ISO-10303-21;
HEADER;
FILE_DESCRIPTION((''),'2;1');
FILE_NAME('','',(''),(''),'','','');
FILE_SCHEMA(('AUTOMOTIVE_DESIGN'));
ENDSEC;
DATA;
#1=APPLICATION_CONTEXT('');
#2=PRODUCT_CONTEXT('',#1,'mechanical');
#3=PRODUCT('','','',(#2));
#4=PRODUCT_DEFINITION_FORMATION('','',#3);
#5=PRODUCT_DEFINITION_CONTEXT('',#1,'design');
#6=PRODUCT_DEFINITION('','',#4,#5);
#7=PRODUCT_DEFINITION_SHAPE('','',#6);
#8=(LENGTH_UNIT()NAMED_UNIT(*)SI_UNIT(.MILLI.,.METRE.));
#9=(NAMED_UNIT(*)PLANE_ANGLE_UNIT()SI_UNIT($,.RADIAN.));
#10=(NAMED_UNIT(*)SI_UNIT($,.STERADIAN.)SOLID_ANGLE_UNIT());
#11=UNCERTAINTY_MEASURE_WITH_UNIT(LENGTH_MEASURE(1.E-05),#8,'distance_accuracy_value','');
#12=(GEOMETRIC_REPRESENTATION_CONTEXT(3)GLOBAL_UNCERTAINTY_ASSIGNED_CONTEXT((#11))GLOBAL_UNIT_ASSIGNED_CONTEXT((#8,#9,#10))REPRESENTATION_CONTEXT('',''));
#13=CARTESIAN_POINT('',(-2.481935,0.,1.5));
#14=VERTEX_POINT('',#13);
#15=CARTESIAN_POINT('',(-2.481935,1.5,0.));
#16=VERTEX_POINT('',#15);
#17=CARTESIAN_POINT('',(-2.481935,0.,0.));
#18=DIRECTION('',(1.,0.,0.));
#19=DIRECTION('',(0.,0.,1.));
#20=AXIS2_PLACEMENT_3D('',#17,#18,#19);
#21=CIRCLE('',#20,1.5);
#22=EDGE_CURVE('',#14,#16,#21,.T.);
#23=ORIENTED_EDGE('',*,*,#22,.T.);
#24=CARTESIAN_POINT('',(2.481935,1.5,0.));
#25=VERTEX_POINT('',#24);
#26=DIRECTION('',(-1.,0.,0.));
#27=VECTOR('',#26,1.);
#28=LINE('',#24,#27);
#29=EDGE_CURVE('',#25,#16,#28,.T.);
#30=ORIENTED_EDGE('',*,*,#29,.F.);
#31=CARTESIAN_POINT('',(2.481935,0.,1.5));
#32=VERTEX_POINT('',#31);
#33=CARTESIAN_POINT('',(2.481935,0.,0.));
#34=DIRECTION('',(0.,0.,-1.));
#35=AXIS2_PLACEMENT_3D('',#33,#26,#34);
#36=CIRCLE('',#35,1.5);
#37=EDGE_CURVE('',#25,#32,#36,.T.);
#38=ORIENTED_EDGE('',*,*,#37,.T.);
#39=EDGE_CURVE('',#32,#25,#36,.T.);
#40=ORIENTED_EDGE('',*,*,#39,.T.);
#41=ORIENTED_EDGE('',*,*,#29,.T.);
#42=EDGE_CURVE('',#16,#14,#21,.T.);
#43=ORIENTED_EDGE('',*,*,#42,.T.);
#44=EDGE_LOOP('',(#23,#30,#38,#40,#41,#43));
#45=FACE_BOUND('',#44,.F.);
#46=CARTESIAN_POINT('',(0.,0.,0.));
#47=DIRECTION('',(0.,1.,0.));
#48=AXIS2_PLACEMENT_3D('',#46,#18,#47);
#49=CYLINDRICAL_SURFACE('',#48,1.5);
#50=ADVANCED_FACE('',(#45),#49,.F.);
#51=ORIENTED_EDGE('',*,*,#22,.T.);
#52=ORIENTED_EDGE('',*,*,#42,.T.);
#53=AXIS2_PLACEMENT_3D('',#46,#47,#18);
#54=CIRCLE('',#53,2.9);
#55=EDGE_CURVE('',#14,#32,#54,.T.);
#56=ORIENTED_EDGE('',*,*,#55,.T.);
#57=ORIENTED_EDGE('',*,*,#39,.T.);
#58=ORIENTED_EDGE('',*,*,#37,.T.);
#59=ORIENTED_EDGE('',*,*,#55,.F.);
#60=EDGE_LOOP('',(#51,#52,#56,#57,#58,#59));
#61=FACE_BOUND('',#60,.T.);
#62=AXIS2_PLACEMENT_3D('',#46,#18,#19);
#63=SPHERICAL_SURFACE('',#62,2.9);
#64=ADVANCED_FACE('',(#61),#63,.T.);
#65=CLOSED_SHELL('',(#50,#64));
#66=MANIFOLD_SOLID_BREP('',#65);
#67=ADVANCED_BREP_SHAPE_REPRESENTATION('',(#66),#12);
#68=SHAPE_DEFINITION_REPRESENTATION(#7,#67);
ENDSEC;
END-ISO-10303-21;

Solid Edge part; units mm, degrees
sketch "Sketch1" plane through (0, 0, 0) normal (0, -1, 0) x (1, 0, 0)
  line L0 (-2.9, 0) -> (2.9, 0)
  arc A0 (-2.9, 0) -> (2.9, 0) centre (0, 0) cw
revolve "RevolvedProtrusion1" add sketch "Sketch1" angle 360 about axis through (-2.9, 0, 0) along (1, 0, 0)
sketch "Sketch2" plane through (0, 0, 0) normal (1, 0, 0) x (0, 1, 0)
  circle A0 centre (0, 0) radius 1.5
extrude "Cutout1" cut sketch "Sketch2" along normal mid plane 9.9239
